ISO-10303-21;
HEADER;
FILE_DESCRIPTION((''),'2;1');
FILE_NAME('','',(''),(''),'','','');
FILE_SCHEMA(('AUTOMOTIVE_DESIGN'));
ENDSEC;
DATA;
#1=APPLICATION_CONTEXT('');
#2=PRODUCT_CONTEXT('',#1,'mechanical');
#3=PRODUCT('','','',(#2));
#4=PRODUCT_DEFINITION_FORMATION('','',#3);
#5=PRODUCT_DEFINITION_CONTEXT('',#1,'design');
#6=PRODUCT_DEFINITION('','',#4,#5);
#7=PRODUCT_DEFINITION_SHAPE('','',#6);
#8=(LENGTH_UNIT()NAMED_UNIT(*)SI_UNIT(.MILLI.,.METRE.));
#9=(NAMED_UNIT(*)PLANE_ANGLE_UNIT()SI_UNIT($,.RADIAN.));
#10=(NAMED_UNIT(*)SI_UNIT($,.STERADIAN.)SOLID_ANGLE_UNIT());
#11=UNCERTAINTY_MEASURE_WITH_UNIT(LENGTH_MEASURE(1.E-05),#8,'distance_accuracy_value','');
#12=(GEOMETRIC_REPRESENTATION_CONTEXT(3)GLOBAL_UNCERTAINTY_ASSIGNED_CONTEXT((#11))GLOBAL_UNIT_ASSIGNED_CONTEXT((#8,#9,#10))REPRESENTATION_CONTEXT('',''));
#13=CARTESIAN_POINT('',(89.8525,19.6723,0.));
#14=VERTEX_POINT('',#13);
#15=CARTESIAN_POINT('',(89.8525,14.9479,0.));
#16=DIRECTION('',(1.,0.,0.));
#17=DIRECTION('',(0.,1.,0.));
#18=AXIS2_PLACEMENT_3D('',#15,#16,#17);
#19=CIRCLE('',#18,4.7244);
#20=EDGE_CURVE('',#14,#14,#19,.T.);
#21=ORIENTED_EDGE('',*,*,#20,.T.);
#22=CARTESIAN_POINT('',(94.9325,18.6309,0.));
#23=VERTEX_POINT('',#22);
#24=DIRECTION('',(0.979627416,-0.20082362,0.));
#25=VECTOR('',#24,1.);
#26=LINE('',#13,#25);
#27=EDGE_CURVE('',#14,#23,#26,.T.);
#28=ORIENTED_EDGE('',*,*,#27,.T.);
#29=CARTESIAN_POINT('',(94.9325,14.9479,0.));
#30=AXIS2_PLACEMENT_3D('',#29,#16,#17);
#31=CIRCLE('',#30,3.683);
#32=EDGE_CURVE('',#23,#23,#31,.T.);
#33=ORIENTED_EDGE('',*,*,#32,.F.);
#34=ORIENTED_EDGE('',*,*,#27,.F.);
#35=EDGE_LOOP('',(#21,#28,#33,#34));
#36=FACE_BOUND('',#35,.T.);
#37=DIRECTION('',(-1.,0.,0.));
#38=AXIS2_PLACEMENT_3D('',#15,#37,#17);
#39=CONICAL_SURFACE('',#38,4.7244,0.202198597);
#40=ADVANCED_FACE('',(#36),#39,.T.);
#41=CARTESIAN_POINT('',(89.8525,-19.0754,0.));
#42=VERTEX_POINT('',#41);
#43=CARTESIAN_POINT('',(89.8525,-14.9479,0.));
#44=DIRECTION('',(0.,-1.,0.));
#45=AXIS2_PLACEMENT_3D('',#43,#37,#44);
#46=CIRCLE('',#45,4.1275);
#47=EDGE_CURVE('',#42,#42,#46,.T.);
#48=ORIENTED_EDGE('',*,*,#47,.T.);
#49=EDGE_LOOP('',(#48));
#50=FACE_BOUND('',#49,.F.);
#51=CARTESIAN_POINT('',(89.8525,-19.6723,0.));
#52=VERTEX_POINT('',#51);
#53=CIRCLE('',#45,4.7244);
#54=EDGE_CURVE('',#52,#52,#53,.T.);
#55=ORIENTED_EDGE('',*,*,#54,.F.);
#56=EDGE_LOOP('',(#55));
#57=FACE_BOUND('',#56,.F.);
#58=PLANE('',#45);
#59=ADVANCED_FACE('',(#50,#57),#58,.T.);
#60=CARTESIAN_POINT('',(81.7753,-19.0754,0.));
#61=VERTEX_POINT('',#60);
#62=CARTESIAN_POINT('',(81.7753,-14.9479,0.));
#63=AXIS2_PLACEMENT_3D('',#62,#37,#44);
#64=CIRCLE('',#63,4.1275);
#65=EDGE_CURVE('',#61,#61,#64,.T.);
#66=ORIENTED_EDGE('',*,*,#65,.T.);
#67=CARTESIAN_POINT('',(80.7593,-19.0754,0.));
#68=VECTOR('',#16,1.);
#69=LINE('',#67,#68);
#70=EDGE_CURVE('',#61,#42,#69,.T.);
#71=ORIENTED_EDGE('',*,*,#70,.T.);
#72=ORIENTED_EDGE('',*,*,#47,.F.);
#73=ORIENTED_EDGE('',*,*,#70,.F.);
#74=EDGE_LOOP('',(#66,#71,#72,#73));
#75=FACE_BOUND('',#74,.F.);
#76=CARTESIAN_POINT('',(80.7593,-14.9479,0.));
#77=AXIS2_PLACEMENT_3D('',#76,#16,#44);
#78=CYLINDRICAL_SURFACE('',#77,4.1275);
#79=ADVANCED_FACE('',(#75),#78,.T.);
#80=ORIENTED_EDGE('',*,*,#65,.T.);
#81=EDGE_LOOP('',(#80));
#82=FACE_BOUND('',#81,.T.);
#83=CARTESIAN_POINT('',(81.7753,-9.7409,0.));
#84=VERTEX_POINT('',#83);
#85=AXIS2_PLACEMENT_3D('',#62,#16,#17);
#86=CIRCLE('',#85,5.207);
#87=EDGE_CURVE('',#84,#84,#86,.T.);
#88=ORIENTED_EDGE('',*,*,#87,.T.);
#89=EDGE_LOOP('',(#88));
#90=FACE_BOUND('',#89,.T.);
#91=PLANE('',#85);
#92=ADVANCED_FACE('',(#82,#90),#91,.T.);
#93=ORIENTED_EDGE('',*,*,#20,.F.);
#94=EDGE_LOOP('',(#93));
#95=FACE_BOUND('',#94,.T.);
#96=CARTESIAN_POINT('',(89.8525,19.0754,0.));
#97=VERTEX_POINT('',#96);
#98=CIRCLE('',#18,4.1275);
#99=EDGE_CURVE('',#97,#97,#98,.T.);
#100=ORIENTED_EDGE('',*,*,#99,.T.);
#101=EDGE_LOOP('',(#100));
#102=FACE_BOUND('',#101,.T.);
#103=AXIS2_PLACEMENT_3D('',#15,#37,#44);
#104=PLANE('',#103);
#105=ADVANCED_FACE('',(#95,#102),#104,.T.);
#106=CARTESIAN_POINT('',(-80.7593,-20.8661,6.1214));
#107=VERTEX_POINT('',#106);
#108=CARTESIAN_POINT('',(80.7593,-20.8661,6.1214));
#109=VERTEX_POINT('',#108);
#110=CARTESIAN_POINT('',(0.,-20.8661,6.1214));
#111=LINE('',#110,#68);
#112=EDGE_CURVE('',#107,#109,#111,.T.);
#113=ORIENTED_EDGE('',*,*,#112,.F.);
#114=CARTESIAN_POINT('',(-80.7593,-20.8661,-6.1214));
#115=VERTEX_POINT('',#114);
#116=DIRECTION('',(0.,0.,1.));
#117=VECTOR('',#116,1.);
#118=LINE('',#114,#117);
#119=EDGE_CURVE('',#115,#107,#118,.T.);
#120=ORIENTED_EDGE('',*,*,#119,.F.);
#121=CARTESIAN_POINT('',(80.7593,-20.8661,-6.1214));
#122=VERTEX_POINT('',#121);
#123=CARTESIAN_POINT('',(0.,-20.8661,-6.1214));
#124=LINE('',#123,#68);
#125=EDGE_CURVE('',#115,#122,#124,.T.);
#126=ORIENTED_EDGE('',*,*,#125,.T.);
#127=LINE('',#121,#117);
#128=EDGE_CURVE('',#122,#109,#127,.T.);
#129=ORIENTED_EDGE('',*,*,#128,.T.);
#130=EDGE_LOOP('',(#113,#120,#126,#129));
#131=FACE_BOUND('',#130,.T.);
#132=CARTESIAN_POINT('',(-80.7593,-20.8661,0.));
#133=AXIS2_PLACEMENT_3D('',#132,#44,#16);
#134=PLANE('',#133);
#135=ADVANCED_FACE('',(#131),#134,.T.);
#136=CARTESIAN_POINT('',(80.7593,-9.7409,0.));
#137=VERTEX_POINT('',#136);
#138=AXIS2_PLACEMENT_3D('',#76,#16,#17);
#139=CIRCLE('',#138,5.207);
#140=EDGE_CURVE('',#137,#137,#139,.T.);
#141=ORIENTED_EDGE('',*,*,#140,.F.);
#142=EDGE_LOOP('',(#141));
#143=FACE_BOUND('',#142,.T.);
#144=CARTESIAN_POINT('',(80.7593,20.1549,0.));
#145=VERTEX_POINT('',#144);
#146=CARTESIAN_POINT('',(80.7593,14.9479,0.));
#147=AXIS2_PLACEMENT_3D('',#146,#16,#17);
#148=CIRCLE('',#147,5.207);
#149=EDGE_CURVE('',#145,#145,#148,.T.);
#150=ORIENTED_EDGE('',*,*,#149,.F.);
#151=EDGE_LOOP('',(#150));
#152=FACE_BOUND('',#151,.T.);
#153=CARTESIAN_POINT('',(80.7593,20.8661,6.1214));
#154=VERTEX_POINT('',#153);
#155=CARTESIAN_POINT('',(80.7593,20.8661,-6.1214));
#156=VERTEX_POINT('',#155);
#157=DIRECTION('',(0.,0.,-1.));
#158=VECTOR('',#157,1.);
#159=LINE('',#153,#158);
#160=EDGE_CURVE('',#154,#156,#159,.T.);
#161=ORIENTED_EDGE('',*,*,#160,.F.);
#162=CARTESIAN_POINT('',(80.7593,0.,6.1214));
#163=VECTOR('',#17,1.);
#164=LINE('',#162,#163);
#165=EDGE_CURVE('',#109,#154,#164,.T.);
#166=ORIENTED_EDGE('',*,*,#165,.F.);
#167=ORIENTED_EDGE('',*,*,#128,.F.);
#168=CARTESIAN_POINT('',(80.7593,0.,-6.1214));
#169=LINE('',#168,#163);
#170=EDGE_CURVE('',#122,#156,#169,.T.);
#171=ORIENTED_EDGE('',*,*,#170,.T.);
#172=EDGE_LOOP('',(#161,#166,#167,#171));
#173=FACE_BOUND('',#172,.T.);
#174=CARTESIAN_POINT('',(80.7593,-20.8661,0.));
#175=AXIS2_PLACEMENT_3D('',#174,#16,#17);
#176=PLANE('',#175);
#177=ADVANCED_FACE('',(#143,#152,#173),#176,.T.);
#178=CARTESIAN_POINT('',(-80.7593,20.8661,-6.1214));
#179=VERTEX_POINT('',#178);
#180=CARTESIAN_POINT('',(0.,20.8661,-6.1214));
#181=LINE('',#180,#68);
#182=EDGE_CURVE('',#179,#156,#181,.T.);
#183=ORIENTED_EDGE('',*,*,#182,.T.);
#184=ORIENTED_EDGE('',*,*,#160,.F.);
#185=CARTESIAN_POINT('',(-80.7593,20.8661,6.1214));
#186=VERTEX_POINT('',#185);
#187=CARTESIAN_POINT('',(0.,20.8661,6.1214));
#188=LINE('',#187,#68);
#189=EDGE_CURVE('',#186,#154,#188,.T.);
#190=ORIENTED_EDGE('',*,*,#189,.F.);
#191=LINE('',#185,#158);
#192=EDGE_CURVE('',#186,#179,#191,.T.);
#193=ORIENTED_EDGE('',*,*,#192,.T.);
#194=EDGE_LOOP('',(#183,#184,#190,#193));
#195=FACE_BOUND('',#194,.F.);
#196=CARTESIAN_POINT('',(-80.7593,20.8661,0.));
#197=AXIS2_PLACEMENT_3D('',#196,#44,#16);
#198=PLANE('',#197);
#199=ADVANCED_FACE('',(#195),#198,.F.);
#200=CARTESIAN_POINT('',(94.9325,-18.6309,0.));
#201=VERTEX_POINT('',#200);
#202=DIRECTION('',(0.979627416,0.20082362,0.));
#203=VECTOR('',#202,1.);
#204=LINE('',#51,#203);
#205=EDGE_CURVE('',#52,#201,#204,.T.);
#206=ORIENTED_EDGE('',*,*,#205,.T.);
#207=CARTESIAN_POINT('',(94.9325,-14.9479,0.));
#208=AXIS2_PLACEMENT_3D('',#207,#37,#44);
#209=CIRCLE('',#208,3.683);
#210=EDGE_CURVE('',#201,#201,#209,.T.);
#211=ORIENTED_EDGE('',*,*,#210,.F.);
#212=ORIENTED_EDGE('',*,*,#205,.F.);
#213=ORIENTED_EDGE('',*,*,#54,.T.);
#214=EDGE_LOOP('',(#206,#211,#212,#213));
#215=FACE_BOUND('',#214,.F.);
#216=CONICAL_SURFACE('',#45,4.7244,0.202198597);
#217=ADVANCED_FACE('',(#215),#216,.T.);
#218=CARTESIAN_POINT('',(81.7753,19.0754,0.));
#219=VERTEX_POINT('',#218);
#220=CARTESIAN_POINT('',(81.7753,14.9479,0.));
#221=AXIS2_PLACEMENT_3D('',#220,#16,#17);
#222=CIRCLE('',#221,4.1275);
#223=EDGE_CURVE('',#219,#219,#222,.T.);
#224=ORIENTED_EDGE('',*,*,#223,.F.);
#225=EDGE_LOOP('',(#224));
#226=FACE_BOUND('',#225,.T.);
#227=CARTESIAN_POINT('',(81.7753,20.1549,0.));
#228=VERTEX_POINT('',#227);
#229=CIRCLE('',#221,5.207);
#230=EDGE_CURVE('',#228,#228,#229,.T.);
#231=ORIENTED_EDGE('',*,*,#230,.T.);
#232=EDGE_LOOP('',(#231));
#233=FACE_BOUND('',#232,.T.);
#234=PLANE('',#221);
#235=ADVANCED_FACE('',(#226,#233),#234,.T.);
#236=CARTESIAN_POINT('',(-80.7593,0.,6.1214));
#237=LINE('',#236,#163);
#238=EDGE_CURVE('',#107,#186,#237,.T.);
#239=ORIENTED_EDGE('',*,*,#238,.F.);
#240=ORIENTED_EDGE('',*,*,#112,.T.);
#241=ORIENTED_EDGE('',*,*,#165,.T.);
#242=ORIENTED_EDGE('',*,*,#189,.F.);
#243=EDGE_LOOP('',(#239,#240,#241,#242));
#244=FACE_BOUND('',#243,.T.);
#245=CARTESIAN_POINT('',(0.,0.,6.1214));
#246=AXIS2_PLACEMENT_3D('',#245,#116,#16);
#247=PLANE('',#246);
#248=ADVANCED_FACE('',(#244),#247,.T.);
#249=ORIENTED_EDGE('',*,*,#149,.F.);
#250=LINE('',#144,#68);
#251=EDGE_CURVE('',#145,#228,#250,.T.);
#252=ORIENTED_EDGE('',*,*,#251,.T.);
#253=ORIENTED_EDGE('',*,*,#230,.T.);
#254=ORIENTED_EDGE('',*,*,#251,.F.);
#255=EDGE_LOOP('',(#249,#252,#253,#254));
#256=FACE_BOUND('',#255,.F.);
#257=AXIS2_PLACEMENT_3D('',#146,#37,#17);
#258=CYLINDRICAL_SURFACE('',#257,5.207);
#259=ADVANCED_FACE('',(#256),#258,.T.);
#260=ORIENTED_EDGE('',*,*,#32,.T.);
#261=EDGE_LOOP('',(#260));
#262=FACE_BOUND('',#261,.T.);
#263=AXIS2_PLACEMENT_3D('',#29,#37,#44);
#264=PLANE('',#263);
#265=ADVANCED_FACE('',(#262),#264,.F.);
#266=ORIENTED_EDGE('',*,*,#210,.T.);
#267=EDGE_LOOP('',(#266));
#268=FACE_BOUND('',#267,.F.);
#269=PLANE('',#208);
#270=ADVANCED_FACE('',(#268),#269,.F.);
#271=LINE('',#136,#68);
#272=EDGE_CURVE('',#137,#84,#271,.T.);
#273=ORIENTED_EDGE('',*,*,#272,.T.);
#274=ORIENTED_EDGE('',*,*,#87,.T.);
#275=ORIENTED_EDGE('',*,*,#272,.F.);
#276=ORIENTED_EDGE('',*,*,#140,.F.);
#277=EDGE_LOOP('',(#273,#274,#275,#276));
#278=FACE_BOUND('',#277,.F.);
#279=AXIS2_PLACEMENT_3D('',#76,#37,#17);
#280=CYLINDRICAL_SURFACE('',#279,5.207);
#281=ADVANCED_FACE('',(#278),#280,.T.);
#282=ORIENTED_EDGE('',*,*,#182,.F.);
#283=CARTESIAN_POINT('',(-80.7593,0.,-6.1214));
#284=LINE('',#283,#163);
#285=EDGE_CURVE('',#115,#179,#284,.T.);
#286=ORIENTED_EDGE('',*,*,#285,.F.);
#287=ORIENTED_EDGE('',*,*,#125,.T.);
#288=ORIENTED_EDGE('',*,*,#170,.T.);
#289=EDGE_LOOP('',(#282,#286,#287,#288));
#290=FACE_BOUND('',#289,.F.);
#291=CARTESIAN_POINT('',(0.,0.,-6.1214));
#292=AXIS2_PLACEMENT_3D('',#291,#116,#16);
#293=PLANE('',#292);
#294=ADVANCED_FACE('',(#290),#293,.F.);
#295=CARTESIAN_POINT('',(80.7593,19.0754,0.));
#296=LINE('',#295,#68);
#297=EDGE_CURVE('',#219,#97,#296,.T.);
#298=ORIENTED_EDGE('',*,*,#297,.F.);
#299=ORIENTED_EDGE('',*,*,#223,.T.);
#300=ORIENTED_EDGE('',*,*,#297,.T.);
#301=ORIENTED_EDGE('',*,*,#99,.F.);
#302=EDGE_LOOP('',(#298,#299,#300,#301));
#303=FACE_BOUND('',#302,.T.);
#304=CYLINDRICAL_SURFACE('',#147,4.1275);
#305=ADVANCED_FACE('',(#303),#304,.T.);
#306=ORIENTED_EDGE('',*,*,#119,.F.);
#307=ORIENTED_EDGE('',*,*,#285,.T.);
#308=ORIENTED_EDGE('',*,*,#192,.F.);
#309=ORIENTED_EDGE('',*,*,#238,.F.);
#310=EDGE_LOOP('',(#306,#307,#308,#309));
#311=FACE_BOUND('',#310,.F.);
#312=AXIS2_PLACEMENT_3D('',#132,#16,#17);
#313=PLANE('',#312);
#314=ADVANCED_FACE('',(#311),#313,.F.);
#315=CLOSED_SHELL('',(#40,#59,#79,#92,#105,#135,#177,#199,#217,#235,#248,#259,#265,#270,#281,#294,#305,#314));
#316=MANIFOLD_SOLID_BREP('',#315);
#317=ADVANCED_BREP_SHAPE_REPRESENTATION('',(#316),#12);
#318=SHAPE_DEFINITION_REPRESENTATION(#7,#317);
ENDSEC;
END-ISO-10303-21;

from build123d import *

# Parameters (mm, degrees)
F0_W     = 161.5186
F0_H     = 41.7322
F1_DEPTH = 6.1214
F7_R     = 5.207
F7_R_2   = 4.1275
F8_DEPTH = 1.016


with BuildPart() as f1:
    # F0 (on Top) → F1 (new body, symmetric)
    with BuildSketch(Plane.XY):
        Rectangle(F0_W, F0_H)
    extrude(amount=F1_DEPTH, both=True)

    # F2 (on Top) → F3 (revolve)
    with BuildSketch(Plane.XY):
        Polygon((80.7593, -14.9479), (80.7593, -19.0754), (89.8525, -19.0754), (89.8525, -19.6723), (94.9325, -18.6309), (94.9325, -14.9479), align=None)
    revolve(axis=Axis((87.8459, -14.9479, 0), (-1, 0, 0)))

    # F4: F1 across plane


with BuildPart() as f1_1:
    add(f1.part)
    add(f1.part.mirror(Plane.XZ))

    # F7 (on face) → F8 (join)
    with BuildSketch(Plane.YZ.offset(80.7593)):
        with Locations((-14.9479, 0)):
            Circle(F7_R)
        with Locations((-14.9479, 0)):
            Circle(F7_R_2, mode=Mode.SUBTRACT)
        with Locations((14.9479, 0)):
            Circle(F7_R)
        with Locations((14.9479, 0)):
            Circle(F7_R_2, mode=Mode.SUBTRACT)
    extrude(amount=F8_DEPTH)


solid = f1_1.part
